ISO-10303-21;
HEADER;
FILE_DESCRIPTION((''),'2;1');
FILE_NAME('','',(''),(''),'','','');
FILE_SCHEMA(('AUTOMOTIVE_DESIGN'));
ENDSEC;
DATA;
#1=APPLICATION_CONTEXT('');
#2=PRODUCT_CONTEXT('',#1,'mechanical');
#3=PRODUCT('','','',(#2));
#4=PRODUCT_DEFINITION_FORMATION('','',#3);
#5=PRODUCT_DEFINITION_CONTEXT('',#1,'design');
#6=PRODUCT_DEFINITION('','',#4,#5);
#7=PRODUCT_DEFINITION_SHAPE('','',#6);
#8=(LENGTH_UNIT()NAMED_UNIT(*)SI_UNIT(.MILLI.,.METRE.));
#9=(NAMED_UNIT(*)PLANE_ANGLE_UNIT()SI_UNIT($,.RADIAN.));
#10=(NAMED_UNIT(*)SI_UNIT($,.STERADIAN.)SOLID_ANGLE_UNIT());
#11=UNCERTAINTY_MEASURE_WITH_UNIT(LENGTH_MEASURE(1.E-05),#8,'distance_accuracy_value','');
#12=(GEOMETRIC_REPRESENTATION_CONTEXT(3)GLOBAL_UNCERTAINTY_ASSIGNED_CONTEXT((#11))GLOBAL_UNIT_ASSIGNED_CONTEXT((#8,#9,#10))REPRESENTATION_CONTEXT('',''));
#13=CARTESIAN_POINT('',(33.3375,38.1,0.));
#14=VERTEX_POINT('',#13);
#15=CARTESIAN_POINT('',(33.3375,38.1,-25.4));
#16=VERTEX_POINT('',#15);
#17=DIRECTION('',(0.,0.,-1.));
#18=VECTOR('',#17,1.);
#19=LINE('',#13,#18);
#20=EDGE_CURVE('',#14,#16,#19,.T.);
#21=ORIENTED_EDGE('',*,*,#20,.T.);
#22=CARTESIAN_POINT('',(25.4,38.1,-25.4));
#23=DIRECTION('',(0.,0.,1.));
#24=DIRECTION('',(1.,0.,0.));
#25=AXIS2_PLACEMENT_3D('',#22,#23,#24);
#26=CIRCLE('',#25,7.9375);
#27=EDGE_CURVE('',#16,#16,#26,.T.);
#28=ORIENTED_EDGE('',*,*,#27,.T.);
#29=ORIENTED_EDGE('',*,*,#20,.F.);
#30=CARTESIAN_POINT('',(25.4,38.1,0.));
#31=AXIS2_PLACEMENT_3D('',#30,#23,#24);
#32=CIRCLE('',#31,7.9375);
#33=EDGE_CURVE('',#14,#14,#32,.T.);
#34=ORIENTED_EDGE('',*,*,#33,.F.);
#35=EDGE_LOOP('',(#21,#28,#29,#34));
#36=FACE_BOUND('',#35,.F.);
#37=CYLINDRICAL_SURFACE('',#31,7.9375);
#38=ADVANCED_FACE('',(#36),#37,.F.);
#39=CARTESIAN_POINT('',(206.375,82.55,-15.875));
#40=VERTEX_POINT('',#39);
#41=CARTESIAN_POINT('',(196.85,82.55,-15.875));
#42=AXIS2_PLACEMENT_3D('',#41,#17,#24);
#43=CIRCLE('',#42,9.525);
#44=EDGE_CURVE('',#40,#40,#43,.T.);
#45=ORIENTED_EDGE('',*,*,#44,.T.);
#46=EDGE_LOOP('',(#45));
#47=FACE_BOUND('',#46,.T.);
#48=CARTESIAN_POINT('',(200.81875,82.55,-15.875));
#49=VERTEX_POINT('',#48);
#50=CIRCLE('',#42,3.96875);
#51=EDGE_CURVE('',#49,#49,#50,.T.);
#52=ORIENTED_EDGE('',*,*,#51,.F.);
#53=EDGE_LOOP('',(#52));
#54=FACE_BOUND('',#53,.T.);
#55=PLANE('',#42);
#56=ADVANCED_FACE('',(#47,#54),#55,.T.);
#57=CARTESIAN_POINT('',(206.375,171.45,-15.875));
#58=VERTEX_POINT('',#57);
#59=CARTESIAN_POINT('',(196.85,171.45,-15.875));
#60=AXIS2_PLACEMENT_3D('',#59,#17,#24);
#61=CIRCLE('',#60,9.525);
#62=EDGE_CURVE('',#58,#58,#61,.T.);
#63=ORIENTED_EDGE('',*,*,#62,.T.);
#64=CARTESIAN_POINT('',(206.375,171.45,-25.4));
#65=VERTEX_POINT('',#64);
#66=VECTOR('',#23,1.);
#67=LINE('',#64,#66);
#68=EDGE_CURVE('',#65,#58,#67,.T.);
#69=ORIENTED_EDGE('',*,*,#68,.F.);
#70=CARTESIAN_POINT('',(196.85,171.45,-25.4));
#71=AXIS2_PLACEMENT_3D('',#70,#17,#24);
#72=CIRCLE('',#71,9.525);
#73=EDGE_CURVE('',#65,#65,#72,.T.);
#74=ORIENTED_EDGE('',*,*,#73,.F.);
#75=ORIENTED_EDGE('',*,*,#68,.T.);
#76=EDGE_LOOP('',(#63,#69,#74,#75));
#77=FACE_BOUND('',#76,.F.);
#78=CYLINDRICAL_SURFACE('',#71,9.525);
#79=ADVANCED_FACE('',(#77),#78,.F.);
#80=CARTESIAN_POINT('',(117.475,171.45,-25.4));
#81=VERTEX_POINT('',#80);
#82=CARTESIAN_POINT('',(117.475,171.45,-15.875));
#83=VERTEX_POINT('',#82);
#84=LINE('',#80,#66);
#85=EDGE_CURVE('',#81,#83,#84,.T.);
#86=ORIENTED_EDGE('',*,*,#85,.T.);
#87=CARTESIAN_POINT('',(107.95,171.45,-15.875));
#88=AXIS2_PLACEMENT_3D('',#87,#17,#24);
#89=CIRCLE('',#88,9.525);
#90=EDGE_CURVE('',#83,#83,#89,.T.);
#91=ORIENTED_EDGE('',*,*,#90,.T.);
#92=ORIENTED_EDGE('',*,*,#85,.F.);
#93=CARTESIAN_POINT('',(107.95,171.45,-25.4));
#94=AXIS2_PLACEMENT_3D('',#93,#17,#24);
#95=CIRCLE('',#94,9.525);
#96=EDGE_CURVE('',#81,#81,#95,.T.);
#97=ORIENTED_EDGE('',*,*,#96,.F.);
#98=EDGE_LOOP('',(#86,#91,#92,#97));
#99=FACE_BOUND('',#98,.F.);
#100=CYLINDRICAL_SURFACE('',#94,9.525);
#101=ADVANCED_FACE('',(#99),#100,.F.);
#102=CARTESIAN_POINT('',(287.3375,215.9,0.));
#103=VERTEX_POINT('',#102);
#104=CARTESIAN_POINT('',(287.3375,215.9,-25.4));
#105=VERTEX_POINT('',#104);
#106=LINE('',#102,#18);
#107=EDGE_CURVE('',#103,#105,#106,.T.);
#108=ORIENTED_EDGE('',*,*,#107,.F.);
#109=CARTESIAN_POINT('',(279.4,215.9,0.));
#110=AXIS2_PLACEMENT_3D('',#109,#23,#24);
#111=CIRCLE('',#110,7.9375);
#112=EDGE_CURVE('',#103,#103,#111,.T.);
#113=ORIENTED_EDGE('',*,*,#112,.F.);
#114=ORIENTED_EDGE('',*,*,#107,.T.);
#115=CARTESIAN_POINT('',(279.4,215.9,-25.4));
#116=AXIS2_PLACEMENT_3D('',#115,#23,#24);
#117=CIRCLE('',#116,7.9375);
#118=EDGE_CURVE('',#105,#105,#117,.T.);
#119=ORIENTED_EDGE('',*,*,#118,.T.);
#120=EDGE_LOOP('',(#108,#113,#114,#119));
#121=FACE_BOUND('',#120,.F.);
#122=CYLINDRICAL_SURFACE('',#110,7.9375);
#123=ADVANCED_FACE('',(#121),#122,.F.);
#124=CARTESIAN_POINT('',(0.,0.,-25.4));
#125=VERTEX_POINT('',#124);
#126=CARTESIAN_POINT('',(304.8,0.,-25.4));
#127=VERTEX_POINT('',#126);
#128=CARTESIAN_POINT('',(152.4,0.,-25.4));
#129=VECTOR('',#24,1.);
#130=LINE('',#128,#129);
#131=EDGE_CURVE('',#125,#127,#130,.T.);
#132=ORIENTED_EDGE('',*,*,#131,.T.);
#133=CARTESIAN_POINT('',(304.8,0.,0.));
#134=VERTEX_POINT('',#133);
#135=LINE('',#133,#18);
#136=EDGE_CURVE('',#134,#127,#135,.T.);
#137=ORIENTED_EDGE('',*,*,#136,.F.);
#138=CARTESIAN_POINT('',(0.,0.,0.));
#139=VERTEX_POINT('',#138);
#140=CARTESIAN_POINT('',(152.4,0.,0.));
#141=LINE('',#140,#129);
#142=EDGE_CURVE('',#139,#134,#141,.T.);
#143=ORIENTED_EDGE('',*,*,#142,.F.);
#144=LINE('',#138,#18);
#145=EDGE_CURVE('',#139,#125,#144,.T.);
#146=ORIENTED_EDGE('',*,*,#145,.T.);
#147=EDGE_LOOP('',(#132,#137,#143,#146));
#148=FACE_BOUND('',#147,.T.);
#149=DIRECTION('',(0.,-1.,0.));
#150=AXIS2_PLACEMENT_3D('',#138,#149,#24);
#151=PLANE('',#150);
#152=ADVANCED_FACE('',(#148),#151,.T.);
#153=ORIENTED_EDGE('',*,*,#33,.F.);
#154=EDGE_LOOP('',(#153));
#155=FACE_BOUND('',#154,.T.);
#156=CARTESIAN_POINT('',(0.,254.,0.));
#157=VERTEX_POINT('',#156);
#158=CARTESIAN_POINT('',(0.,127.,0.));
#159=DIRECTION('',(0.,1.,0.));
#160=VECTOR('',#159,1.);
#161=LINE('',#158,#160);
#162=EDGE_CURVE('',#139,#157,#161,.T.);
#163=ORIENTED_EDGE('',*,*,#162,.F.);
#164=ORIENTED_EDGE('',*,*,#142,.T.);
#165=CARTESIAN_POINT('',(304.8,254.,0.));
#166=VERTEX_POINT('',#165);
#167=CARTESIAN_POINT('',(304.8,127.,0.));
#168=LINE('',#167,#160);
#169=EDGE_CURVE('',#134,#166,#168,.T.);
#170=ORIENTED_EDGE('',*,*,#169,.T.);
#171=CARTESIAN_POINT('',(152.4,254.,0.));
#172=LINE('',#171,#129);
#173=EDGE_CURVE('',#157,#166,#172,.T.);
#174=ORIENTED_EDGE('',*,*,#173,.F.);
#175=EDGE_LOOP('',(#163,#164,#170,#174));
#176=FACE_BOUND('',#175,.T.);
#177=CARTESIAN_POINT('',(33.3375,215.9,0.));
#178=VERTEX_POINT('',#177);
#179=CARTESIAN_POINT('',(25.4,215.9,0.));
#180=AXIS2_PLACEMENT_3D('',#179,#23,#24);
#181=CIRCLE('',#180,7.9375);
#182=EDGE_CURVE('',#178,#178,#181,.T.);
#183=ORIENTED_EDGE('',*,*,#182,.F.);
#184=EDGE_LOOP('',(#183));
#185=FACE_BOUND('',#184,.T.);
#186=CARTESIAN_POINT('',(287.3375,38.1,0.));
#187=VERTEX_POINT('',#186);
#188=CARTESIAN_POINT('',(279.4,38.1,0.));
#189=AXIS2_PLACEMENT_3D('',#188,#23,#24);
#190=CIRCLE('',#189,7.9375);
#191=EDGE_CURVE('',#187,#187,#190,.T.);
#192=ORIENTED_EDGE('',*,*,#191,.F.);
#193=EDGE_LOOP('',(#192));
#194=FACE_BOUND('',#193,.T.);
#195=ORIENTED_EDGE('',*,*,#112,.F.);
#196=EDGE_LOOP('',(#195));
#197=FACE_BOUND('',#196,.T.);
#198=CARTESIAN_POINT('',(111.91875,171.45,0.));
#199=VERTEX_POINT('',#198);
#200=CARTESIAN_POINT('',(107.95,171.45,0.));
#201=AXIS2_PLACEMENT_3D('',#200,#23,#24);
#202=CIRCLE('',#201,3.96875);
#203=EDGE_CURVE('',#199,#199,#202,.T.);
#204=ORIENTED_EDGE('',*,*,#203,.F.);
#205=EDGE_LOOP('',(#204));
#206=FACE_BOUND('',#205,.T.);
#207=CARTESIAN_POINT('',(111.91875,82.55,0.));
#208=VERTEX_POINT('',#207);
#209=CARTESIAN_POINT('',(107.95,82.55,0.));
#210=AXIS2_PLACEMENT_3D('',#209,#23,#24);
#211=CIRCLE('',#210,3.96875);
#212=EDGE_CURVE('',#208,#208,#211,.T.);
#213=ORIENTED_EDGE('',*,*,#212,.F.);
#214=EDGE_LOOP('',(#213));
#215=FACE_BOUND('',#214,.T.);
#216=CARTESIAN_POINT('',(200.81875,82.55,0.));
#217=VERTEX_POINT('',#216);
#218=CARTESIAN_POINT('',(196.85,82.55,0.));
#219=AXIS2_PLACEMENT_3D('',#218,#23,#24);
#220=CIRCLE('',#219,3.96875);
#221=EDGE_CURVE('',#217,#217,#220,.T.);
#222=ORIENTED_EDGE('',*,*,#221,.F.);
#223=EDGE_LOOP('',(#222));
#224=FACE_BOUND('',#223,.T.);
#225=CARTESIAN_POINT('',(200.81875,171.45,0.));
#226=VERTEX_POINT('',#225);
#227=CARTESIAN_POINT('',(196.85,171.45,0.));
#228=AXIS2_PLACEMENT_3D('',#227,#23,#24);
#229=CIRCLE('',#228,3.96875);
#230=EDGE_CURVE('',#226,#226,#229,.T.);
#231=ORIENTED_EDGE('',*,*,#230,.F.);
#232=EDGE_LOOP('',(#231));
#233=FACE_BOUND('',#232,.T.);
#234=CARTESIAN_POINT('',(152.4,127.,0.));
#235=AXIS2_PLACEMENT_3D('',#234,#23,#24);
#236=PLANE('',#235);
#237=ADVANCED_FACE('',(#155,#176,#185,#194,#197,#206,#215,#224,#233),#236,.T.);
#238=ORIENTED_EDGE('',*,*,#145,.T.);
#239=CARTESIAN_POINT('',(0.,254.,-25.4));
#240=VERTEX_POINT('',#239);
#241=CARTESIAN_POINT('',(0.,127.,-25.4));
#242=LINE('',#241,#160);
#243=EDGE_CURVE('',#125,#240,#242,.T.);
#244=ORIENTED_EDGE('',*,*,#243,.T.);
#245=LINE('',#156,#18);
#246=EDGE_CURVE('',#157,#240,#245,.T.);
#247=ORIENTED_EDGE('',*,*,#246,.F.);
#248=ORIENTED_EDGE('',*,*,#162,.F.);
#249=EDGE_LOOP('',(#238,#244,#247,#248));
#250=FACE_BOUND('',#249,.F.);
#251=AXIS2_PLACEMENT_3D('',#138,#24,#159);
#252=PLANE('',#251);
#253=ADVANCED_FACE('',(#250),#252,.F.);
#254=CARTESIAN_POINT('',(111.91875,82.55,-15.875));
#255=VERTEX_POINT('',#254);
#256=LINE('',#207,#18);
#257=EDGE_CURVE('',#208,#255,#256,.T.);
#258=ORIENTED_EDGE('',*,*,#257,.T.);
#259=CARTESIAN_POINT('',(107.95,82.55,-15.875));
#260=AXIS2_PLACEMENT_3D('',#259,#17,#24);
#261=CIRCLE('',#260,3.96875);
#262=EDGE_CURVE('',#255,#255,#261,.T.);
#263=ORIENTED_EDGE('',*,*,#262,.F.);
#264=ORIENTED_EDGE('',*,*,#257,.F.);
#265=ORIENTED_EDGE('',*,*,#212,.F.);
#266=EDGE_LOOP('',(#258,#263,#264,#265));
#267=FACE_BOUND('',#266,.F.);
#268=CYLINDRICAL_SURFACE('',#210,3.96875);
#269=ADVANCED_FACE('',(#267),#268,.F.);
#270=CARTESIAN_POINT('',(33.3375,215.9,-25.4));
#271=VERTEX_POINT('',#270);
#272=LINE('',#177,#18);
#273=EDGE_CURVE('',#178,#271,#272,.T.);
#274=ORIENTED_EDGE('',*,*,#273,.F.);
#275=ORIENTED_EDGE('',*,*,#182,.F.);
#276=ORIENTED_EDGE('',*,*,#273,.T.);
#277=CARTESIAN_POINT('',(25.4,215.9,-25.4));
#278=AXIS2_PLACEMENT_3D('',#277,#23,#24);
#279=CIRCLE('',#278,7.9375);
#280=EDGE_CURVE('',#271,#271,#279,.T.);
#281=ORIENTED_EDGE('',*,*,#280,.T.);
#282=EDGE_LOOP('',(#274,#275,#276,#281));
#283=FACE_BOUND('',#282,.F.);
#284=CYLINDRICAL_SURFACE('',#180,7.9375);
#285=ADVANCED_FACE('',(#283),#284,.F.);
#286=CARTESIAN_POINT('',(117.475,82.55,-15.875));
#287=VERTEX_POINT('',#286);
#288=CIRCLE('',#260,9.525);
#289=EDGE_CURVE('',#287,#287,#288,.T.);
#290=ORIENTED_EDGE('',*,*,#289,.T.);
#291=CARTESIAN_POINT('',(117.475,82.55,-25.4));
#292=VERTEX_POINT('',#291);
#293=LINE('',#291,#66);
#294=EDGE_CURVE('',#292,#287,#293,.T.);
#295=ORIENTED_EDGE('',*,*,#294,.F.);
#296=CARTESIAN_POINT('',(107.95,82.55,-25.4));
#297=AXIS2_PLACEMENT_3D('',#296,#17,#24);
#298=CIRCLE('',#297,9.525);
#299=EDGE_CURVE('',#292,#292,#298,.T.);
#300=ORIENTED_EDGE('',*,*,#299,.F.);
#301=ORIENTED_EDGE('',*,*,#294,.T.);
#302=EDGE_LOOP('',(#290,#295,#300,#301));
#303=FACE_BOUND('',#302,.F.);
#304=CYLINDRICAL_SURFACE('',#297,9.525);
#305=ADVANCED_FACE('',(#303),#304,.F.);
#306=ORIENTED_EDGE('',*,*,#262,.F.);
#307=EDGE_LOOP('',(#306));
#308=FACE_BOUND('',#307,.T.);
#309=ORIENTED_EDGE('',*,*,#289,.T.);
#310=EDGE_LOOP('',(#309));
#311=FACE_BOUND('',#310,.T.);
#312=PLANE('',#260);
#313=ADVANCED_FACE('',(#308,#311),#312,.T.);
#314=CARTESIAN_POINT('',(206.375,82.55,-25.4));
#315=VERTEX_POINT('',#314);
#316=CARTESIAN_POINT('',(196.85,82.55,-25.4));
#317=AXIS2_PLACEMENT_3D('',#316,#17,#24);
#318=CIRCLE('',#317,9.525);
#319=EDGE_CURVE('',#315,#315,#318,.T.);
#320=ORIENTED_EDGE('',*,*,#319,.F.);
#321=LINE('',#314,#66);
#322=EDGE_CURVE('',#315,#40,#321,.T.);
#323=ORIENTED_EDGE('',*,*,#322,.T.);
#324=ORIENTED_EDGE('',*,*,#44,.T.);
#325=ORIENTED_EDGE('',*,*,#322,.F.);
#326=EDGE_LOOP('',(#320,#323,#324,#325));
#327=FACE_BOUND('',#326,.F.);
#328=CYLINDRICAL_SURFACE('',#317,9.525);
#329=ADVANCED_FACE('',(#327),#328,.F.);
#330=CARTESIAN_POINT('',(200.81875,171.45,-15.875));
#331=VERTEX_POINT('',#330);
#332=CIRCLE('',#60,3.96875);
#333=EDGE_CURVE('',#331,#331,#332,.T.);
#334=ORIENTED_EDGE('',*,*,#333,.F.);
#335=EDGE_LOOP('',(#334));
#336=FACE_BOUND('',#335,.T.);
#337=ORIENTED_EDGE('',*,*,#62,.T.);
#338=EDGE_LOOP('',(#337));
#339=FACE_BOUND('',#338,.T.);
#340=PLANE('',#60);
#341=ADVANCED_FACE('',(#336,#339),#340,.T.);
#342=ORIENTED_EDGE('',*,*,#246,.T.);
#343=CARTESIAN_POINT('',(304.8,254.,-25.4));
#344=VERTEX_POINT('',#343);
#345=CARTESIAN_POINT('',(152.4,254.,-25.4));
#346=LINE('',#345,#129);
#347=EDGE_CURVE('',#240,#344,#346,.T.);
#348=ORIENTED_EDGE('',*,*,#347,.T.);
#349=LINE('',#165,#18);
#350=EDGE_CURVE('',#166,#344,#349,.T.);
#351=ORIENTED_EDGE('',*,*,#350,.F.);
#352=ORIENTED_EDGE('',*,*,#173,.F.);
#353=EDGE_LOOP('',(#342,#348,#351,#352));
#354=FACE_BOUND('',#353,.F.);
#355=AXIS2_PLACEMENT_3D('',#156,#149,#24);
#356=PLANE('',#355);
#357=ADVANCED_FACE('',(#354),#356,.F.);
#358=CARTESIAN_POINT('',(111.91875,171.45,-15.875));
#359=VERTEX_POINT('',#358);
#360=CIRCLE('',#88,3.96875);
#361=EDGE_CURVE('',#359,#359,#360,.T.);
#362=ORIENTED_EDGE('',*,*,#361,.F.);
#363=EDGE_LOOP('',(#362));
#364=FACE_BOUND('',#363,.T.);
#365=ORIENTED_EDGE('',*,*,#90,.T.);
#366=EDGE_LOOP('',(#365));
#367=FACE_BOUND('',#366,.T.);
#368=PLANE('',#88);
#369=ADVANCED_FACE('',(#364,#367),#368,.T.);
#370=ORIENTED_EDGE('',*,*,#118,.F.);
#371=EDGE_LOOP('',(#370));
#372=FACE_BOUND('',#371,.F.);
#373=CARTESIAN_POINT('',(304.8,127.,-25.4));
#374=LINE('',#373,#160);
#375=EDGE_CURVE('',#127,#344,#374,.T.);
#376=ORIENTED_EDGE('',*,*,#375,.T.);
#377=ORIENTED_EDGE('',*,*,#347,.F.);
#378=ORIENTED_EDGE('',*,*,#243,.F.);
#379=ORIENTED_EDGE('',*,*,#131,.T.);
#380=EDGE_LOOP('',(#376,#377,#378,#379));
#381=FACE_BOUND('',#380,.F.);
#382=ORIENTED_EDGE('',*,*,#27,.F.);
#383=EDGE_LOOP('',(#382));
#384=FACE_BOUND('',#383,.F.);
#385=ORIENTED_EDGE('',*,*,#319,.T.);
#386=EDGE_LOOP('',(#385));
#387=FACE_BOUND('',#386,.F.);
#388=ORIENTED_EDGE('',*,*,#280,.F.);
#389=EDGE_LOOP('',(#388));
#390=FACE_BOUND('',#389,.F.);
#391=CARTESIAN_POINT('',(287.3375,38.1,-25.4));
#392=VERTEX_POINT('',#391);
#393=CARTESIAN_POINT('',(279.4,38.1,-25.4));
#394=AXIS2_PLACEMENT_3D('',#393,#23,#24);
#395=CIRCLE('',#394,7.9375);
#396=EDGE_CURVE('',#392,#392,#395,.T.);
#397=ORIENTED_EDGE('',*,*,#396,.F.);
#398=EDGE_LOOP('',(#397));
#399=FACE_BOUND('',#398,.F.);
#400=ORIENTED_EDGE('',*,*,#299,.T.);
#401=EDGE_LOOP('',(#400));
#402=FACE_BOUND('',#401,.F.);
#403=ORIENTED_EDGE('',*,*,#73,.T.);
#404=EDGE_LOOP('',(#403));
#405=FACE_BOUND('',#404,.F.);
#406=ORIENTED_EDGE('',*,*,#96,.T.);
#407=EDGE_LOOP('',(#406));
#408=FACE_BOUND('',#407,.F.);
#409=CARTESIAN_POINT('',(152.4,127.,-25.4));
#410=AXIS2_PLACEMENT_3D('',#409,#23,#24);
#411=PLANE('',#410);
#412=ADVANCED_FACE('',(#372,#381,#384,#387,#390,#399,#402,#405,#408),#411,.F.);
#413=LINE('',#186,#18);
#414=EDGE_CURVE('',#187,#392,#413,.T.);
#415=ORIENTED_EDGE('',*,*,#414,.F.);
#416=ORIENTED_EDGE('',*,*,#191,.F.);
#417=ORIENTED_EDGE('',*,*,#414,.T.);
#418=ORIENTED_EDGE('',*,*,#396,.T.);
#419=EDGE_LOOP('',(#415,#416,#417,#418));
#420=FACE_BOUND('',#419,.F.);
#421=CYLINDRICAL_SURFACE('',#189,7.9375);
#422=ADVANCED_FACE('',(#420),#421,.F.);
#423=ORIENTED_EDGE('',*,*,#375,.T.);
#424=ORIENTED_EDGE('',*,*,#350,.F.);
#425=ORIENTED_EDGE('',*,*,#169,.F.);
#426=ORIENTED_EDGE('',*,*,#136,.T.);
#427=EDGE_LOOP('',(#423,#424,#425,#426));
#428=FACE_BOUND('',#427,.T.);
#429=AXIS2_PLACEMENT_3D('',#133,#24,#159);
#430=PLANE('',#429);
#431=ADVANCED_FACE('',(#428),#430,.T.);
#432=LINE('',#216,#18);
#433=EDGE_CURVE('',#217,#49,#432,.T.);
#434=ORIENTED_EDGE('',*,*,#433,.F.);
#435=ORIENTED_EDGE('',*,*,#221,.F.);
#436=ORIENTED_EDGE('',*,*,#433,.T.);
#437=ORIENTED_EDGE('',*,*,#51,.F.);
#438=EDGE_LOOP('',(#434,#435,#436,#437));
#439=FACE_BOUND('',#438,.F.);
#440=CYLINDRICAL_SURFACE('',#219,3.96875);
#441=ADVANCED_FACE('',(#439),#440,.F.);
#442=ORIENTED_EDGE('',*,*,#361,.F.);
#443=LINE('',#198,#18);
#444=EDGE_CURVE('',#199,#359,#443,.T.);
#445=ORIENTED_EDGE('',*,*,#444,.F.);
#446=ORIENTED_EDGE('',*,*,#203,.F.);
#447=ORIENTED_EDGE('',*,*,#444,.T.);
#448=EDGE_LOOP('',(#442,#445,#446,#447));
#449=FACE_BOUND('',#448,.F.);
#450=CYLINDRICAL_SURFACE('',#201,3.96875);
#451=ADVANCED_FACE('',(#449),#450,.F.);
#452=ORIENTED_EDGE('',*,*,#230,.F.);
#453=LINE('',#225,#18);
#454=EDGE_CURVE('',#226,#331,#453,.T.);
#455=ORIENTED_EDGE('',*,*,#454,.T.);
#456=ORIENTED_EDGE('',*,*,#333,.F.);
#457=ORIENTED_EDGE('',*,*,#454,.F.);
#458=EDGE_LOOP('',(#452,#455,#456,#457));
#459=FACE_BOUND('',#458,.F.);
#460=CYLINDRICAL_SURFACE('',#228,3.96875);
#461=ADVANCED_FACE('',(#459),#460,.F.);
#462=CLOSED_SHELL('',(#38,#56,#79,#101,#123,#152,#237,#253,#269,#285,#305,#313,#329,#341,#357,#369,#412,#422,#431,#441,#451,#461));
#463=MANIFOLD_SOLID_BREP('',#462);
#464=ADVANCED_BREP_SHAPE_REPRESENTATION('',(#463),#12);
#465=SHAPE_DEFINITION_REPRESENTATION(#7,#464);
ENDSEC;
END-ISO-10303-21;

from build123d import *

# Parameters (mm, degrees)
F0_W     = 304.8
F0_H     = 254
F1_DEPTH = 25.4
F2_R     = 3.96875
F3_DEPTH = 25.4
F4_R     = 9.525
F4_R_2   = 3.96875
F5_DEPTH = 9.525
F2_R_2   = 7.9375
F6_DEPTH = 25.4


with BuildPart() as f1:
    # F0 (on Top) → F1 (new body)
    with BuildSketch(Plane.XY):
        with Locations((152.4, 127)):
            Rectangle(F0_W, F0_H)
    extrude(amount=-F1_DEPTH)

    # F2 (on face) → F3 (cut)
    with BuildSketch(Plane.XY):
        with Locations((107.95, 171.45)):
            Circle(F2_R)
        with Locations((196.85, 171.45)):
            Circle(F2_R)
        with Locations((196.85, 82.55)):
            Circle(F2_R)
        with Locations((107.95, 82.55)):
            Circle(F2_R)
    extrude(amount=-F3_DEPTH, mode=Mode.SUBTRACT)

    # F4 (on face) → F5 (cut)
    with BuildSketch(Plane(origin=(0, 0, -25.4), x_dir=(1, 0, 0), z_dir=(0, 0, -1))):
        with Locations((107.95, -171.45)):
            Circle(F4_R)
        with Locations((107.95, -171.45)):
            Circle(F4_R_2, mode=Mode.SUBTRACT)
        with Locations((196.85, -171.45)):
            Circle(F4_R)
        with Locations((196.85, -171.45)):
            Circle(F4_R_2, mode=Mode.SUBTRACT)
        with Locations((107.95, -82.55)):
            Circle(F4_R)
        with Locations((107.95, -82.55)):
            Circle(F4_R_2, mode=Mode.SUBTRACT)
        with Locations((196.85, -82.55)):
            Circle(F4_R)
        with Locations((196.85, -82.55)):
            Circle(F4_R_2, mode=Mode.SUBTRACT)
    extrude(amount=-F5_DEPTH, mode=Mode.SUBTRACT)

    # F2 (on face) → F6 (cut)
    with BuildSketch(Plane.XY):
        with Locations((107.95, 171.45)):
            Circle(F2_R)
        with Locations((196.85, 171.45)):
            Circle(F2_R)
        with Locations((107.95, 82.55)):
            Circle(F2_R)
        with Locations((196.85, 82.55)):
            Circle(F2_R)
        with Locations((25.4, 215.9)):
            Circle(F2_R_2)
        with Locations((279.4, 215.9)):
            Circle(F2_R_2)
        with Locations((279.4, 38.1)):
            Circle(F2_R_2)
        with Locations((25.4, 38.1)):
            Circle(F2_R_2)
    extrude(amount=-F6_DEPTH, mode=Mode.SUBTRACT)


solid = f1.part
